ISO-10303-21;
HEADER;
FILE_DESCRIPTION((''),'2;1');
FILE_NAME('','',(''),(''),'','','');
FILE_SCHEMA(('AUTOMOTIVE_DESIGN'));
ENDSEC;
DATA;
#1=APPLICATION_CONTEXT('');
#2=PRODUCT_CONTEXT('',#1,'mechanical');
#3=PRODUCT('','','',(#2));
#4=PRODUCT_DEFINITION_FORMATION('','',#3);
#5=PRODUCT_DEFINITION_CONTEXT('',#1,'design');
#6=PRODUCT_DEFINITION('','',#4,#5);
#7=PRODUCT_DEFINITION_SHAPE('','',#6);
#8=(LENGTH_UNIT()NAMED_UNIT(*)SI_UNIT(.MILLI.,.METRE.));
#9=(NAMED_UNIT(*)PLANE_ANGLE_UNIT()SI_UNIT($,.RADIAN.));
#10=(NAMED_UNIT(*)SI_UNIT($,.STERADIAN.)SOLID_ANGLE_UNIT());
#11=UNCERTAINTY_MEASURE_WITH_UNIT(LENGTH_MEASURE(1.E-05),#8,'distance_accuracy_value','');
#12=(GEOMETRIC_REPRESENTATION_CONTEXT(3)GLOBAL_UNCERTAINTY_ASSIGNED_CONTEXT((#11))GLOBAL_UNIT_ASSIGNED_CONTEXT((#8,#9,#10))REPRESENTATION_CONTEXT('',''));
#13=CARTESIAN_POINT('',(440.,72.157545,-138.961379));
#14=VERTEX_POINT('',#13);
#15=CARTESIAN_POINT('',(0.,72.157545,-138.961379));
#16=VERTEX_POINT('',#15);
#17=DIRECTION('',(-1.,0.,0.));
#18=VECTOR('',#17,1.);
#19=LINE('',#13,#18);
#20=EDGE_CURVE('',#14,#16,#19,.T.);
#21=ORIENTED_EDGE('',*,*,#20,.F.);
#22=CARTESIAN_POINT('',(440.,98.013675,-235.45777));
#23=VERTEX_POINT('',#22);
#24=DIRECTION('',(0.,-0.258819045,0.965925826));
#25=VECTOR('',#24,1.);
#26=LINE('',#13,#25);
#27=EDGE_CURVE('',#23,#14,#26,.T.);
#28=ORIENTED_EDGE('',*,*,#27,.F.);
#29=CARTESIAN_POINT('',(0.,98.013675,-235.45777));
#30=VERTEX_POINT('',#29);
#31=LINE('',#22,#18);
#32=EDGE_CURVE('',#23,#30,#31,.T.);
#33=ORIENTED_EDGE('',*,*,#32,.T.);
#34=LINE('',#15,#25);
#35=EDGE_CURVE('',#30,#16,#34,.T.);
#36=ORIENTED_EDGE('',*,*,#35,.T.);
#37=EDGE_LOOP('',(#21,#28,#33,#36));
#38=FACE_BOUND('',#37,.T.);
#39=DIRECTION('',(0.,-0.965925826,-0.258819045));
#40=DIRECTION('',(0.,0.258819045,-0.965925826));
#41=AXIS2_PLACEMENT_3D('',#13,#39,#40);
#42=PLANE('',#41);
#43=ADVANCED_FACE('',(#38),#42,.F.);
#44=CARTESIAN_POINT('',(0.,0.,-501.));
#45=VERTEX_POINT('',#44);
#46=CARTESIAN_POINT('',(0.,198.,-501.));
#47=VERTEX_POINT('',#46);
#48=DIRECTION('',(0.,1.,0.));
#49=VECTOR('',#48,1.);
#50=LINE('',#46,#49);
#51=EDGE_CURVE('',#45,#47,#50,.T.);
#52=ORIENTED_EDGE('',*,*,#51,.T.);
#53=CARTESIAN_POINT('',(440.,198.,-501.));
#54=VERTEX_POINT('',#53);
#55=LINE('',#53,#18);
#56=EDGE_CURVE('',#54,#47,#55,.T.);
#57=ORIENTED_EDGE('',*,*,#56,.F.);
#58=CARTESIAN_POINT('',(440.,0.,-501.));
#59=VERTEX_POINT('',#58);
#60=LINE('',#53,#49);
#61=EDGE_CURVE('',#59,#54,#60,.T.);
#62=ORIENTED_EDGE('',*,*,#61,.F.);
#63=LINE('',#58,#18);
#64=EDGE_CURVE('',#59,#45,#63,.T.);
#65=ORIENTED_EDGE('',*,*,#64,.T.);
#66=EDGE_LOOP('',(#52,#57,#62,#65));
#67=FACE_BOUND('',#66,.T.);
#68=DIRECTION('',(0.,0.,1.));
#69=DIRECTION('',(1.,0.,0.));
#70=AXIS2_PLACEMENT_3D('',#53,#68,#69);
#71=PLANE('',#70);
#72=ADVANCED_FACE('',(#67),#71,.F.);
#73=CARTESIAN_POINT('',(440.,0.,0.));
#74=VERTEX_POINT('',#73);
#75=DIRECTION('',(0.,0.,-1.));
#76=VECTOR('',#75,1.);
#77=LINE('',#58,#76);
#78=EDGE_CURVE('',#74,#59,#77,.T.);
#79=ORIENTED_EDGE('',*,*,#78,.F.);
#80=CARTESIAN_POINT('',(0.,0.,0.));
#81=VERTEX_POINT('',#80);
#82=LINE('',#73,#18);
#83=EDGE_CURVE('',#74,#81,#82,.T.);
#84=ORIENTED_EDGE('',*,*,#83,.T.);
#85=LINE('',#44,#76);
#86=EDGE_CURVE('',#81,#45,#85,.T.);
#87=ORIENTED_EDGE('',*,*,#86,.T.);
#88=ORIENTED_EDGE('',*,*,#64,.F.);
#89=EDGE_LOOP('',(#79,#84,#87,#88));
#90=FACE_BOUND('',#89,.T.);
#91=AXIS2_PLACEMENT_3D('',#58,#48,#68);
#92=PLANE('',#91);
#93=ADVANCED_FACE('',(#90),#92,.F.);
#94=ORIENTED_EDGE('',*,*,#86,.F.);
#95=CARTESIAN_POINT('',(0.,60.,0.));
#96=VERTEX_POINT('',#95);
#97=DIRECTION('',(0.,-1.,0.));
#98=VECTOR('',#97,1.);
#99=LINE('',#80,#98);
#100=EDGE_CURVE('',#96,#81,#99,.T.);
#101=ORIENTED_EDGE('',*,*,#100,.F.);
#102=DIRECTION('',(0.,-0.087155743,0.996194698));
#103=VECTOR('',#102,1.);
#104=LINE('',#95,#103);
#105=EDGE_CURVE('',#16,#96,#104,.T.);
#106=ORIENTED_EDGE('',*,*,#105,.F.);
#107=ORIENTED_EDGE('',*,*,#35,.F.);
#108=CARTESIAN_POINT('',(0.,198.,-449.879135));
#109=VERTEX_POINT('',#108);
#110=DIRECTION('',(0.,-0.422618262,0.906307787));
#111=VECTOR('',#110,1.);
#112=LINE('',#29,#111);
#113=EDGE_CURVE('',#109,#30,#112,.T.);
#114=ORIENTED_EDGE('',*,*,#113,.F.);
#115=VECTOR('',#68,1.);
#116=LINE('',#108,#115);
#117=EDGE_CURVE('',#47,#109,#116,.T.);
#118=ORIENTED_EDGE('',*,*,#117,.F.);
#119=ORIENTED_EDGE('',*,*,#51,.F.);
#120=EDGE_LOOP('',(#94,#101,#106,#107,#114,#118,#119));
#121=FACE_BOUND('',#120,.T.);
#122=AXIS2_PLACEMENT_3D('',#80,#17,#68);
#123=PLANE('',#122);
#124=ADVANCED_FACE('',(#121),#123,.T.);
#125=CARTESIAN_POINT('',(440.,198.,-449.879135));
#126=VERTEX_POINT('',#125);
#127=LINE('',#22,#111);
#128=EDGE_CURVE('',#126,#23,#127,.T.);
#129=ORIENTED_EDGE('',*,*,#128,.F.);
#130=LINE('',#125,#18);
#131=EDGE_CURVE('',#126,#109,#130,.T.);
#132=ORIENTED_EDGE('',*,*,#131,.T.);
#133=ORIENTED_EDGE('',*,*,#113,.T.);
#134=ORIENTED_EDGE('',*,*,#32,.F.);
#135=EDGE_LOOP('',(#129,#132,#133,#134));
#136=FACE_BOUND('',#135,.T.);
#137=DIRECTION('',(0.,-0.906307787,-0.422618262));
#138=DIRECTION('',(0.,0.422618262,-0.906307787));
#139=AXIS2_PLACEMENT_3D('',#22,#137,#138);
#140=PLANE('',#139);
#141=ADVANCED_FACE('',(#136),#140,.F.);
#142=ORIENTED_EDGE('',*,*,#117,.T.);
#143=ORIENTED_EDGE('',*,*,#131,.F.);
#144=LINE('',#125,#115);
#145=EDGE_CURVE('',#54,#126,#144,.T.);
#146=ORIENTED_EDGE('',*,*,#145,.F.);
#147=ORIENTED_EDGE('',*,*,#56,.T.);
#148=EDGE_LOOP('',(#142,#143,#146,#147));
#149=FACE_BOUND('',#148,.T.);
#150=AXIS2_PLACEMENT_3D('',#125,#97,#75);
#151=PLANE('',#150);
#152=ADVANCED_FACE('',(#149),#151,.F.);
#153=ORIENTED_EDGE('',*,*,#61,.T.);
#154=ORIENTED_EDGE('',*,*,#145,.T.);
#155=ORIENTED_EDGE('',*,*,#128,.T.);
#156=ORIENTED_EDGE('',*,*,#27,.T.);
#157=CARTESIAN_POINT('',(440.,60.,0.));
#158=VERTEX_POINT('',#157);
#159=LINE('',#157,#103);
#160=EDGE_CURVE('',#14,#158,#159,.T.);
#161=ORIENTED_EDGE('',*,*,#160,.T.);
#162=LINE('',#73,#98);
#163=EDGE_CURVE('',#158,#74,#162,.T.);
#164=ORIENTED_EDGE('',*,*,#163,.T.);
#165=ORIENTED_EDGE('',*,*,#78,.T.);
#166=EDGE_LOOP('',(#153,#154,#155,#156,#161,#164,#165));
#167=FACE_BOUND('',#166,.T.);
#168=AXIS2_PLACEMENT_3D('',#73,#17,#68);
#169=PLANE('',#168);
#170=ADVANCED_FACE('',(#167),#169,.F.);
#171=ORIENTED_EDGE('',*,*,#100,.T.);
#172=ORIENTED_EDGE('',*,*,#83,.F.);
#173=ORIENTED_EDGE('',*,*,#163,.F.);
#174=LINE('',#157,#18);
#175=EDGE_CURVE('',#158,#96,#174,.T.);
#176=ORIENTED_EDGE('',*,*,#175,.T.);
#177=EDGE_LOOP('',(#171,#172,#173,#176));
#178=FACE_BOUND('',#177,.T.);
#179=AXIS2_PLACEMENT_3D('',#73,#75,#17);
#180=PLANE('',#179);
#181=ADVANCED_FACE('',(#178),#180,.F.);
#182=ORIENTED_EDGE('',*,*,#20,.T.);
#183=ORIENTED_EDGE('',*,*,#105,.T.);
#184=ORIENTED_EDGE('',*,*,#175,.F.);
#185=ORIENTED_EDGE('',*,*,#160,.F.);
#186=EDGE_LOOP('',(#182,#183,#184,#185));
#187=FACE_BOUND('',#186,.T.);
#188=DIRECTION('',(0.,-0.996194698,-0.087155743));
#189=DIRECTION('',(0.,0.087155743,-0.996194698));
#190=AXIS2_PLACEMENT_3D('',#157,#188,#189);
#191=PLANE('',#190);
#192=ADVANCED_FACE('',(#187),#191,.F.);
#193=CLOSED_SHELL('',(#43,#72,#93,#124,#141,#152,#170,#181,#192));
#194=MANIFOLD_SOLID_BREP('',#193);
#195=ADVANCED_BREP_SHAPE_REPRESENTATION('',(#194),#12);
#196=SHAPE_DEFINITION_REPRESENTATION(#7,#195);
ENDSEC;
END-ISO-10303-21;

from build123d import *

# Parameters (mm, degrees)
AUFSATZ_LINEAR_AUSTRAGEN1_DEPTH = 440


with BuildPart() as part:
    # Skizze1 → Aufsatz-Linear austragen1 (new body)
    with BuildSketch(Plane(origin=(0, 0, 0), x_dir=(0, 0, -1), z_dir=(1, 0, 0))):
        Polygon((138.961378968, 72.157545328), (235.457769952, 98.013675364), (449.87913509, 198), (501, 198), (501, 0), (0, 0), (0, 60), align=None)
    extrude(amount=AUFSATZ_LINEAR_AUSTRAGEN1_DEPTH)


solid = part.part
